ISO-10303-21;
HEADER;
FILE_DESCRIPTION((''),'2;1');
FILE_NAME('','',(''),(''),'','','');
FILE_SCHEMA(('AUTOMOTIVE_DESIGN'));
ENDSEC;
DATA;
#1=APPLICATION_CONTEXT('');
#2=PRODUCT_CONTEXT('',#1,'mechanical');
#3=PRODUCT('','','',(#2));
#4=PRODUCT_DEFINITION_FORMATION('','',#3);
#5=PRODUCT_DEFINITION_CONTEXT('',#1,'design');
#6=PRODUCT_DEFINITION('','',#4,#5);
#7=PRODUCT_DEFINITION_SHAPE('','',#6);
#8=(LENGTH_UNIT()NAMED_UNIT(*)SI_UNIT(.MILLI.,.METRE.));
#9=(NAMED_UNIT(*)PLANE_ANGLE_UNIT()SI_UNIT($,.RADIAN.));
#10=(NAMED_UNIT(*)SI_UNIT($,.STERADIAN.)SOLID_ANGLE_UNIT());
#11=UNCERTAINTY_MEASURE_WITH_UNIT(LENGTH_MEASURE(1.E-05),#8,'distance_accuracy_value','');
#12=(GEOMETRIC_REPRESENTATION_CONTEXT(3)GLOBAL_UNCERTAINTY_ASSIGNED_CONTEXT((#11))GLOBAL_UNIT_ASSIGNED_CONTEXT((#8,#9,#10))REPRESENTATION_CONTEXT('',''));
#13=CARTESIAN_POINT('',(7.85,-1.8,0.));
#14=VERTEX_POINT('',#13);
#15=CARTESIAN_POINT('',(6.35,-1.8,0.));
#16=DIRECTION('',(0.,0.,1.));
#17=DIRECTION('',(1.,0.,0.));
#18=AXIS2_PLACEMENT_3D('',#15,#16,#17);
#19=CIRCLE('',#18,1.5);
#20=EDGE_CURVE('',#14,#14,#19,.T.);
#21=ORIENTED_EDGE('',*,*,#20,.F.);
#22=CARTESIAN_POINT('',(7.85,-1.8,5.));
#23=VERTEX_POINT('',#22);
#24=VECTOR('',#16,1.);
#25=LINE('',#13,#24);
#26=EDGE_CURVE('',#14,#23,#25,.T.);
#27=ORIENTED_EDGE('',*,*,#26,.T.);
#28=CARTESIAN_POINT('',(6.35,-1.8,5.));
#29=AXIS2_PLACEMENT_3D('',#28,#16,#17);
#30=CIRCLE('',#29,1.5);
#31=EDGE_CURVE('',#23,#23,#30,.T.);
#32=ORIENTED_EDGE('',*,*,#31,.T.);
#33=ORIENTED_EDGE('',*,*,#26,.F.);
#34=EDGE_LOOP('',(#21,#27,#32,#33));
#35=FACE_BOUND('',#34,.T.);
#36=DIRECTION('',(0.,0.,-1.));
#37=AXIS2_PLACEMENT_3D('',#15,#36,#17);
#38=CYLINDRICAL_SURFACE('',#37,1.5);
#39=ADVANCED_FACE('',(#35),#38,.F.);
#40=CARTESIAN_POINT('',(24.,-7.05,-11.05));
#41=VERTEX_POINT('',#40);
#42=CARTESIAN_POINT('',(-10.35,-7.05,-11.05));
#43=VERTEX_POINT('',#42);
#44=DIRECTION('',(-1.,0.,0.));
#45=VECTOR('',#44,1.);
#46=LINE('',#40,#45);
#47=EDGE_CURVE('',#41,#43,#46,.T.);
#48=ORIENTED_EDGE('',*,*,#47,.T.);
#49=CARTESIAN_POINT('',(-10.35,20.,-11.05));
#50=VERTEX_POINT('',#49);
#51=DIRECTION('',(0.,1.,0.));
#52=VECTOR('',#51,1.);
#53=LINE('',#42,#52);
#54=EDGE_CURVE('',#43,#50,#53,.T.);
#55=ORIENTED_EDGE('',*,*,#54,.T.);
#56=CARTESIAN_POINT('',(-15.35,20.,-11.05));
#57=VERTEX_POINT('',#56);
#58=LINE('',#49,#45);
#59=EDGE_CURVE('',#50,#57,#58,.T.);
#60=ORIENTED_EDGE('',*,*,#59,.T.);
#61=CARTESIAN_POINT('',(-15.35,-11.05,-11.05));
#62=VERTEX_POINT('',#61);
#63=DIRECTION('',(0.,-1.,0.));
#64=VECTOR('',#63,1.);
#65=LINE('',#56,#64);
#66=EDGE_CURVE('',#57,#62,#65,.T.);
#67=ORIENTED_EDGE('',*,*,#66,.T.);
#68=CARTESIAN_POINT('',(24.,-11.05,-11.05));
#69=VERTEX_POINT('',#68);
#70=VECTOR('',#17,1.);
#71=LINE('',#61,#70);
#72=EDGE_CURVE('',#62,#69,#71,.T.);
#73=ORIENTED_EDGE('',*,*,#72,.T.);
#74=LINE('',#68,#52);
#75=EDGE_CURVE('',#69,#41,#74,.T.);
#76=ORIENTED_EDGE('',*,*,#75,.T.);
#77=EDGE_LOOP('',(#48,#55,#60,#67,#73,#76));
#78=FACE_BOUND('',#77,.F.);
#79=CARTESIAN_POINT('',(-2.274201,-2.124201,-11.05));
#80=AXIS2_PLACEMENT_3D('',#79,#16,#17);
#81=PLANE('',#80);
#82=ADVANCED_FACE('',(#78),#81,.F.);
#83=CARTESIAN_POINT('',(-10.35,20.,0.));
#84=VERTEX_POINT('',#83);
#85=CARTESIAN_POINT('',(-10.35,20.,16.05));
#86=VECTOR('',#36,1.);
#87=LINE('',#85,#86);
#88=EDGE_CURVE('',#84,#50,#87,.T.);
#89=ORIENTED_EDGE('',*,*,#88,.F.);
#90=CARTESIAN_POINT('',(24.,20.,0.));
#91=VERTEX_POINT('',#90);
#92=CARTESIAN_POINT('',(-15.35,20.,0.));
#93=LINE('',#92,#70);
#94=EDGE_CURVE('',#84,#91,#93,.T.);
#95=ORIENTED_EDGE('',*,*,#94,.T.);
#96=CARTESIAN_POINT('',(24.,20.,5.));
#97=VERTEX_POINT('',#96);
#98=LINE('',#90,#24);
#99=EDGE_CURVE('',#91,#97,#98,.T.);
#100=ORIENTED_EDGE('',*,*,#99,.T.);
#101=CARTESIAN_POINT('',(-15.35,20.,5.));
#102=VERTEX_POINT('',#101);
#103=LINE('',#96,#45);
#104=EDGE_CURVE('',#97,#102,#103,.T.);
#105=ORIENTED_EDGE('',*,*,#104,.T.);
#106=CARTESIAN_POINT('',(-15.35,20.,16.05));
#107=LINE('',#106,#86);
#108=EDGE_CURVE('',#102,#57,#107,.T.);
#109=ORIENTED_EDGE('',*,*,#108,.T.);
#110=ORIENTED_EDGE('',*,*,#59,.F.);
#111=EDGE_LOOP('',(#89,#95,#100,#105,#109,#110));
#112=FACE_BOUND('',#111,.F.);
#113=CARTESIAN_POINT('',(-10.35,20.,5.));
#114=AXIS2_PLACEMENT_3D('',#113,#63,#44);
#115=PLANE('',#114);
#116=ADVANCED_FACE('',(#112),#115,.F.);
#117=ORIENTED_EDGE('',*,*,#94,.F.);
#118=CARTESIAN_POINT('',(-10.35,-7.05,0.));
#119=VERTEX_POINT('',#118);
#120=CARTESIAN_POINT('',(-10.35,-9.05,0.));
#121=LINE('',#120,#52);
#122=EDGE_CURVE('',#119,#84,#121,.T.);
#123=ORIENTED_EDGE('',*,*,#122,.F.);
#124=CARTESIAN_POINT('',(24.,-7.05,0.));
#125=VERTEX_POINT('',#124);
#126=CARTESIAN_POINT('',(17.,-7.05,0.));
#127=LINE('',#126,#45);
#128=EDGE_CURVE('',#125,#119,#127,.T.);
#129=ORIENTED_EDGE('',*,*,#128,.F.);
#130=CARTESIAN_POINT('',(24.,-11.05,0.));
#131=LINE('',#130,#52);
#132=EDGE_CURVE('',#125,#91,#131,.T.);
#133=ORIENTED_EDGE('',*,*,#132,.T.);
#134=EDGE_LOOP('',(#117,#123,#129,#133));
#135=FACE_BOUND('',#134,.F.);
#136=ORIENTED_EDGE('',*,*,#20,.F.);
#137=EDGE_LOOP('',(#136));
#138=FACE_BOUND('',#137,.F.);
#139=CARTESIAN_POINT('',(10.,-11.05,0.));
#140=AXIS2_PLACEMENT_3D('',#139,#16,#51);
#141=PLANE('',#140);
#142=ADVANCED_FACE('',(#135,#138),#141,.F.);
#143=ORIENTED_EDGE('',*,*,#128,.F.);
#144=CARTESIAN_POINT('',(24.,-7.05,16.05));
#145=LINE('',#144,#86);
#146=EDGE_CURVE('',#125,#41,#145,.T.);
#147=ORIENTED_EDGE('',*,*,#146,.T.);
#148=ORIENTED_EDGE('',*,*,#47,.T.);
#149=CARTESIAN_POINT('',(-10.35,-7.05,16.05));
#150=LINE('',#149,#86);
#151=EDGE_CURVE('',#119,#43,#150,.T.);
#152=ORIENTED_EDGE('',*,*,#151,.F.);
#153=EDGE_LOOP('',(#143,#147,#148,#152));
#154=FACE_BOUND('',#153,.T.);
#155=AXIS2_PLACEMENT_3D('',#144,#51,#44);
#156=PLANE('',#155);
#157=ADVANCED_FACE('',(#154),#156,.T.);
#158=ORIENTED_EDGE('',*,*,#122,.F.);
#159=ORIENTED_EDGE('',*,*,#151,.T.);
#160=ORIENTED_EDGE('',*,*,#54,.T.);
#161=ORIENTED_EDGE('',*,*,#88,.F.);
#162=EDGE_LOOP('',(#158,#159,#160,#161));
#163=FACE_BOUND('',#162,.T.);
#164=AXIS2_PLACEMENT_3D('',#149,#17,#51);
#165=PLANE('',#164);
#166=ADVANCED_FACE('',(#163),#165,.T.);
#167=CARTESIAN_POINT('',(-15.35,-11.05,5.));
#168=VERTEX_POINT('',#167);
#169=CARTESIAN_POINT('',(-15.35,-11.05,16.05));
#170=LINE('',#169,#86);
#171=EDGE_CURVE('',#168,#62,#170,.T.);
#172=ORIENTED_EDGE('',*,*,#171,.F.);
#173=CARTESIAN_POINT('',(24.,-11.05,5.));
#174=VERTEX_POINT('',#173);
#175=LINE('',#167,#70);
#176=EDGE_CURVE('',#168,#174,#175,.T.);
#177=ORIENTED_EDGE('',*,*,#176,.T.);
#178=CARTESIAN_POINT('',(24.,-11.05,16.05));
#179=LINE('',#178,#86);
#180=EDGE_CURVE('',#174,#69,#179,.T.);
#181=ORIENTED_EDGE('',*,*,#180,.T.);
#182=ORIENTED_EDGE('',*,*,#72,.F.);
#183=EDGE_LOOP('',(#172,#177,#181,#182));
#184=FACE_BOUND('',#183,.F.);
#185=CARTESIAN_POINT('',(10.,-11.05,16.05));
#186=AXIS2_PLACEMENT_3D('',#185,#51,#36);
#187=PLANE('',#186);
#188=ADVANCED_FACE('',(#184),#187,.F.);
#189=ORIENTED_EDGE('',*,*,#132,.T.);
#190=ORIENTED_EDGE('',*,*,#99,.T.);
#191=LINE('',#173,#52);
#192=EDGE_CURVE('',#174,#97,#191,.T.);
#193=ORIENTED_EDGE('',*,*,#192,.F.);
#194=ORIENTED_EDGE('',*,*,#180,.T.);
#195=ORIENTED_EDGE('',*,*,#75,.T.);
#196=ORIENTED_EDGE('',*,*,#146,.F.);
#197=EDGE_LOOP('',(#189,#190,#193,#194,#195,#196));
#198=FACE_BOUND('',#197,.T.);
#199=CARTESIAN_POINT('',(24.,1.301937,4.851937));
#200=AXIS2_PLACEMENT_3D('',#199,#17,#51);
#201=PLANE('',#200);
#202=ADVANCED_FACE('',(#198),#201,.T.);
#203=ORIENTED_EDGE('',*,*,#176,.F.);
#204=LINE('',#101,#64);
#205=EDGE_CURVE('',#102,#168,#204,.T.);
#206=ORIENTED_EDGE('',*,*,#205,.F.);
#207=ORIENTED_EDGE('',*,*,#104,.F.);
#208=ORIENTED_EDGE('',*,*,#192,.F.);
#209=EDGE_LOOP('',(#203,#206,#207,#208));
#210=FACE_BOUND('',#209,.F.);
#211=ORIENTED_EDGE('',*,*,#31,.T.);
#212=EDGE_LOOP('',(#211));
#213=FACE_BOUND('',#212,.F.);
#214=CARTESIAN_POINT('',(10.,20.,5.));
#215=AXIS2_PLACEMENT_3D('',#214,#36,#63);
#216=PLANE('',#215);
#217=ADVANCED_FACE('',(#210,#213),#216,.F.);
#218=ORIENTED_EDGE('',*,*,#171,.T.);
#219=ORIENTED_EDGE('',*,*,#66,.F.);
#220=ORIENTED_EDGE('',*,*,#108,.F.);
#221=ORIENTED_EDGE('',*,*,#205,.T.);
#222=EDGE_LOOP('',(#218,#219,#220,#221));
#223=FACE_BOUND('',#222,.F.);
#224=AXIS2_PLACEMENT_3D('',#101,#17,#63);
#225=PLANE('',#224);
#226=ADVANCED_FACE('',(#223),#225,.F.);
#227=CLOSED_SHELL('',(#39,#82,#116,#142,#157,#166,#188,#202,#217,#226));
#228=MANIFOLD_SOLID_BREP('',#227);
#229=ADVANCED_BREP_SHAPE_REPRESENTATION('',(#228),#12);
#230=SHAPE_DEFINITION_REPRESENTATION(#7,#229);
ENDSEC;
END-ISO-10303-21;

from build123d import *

# Parameters (mm, degrees)
F0_W     = 25.35
F0_H     = 31.05
F0_R     = 1.5
F1_DEPTH = 5
F3_DEPTH = 11.05
F5_DEPTH = 14
F7_DEPTH = 27.1
F9_DEPTH = 11.05


with BuildPart() as f1:
    # F0 (on Top) → F1 (new body)
    with BuildSketch(Plane.XY):
        with Locations((-2.675, 4.475)):
            Rectangle(F0_W, F0_H)
        with Locations((6.35, -1.8)):
            Circle(F0_R, mode=Mode.SUBTRACT)
    extrude(amount=F1_DEPTH)

    # F2 (on face) → F3 (join)
    with BuildSketch(Plane.XY.offset(5)):
        Polygon((-10.35, 20), (-15.35, 20), (-15.35, -11.05), (10, -11.05), (10, -7.05), (-10.35, -7.05), align=None)
    extrude(amount=F3_DEPTH)

    # F4 (on face) → F5 (join)
    with BuildSketch(Plane.YZ.offset(10)):
        Polygon((-7.05, 16.05), (-11.05, 16.05), (-11.05, 0), (20, 0), (20, 5), (-7.05, 5), align=None)
    extrude(amount=F5_DEPTH)

    # F6 (on face) → F7 (join)
    with BuildSketch(Plane.XY.offset(16.05)):
        Polygon((-10.35, 20), (-15.35, 20), (-15.35, -11.05), (24, -11.05), (24, -7.05), (-10.35, -7.05), align=None)
    extrude(amount=-F7_DEPTH)

    # F8 (on face) → F9 (cut)
    with BuildSketch(Plane.XY.offset(16.05)):
        Polygon((-10.35, 20), (-15.35, 20), (-15.35, -11.05), (24, -11.05), (24, -7.05), (-10.35, -7.05), align=None)
    extrude(amount=-F9_DEPTH, mode=Mode.SUBTRACT)


solid = f1.part
